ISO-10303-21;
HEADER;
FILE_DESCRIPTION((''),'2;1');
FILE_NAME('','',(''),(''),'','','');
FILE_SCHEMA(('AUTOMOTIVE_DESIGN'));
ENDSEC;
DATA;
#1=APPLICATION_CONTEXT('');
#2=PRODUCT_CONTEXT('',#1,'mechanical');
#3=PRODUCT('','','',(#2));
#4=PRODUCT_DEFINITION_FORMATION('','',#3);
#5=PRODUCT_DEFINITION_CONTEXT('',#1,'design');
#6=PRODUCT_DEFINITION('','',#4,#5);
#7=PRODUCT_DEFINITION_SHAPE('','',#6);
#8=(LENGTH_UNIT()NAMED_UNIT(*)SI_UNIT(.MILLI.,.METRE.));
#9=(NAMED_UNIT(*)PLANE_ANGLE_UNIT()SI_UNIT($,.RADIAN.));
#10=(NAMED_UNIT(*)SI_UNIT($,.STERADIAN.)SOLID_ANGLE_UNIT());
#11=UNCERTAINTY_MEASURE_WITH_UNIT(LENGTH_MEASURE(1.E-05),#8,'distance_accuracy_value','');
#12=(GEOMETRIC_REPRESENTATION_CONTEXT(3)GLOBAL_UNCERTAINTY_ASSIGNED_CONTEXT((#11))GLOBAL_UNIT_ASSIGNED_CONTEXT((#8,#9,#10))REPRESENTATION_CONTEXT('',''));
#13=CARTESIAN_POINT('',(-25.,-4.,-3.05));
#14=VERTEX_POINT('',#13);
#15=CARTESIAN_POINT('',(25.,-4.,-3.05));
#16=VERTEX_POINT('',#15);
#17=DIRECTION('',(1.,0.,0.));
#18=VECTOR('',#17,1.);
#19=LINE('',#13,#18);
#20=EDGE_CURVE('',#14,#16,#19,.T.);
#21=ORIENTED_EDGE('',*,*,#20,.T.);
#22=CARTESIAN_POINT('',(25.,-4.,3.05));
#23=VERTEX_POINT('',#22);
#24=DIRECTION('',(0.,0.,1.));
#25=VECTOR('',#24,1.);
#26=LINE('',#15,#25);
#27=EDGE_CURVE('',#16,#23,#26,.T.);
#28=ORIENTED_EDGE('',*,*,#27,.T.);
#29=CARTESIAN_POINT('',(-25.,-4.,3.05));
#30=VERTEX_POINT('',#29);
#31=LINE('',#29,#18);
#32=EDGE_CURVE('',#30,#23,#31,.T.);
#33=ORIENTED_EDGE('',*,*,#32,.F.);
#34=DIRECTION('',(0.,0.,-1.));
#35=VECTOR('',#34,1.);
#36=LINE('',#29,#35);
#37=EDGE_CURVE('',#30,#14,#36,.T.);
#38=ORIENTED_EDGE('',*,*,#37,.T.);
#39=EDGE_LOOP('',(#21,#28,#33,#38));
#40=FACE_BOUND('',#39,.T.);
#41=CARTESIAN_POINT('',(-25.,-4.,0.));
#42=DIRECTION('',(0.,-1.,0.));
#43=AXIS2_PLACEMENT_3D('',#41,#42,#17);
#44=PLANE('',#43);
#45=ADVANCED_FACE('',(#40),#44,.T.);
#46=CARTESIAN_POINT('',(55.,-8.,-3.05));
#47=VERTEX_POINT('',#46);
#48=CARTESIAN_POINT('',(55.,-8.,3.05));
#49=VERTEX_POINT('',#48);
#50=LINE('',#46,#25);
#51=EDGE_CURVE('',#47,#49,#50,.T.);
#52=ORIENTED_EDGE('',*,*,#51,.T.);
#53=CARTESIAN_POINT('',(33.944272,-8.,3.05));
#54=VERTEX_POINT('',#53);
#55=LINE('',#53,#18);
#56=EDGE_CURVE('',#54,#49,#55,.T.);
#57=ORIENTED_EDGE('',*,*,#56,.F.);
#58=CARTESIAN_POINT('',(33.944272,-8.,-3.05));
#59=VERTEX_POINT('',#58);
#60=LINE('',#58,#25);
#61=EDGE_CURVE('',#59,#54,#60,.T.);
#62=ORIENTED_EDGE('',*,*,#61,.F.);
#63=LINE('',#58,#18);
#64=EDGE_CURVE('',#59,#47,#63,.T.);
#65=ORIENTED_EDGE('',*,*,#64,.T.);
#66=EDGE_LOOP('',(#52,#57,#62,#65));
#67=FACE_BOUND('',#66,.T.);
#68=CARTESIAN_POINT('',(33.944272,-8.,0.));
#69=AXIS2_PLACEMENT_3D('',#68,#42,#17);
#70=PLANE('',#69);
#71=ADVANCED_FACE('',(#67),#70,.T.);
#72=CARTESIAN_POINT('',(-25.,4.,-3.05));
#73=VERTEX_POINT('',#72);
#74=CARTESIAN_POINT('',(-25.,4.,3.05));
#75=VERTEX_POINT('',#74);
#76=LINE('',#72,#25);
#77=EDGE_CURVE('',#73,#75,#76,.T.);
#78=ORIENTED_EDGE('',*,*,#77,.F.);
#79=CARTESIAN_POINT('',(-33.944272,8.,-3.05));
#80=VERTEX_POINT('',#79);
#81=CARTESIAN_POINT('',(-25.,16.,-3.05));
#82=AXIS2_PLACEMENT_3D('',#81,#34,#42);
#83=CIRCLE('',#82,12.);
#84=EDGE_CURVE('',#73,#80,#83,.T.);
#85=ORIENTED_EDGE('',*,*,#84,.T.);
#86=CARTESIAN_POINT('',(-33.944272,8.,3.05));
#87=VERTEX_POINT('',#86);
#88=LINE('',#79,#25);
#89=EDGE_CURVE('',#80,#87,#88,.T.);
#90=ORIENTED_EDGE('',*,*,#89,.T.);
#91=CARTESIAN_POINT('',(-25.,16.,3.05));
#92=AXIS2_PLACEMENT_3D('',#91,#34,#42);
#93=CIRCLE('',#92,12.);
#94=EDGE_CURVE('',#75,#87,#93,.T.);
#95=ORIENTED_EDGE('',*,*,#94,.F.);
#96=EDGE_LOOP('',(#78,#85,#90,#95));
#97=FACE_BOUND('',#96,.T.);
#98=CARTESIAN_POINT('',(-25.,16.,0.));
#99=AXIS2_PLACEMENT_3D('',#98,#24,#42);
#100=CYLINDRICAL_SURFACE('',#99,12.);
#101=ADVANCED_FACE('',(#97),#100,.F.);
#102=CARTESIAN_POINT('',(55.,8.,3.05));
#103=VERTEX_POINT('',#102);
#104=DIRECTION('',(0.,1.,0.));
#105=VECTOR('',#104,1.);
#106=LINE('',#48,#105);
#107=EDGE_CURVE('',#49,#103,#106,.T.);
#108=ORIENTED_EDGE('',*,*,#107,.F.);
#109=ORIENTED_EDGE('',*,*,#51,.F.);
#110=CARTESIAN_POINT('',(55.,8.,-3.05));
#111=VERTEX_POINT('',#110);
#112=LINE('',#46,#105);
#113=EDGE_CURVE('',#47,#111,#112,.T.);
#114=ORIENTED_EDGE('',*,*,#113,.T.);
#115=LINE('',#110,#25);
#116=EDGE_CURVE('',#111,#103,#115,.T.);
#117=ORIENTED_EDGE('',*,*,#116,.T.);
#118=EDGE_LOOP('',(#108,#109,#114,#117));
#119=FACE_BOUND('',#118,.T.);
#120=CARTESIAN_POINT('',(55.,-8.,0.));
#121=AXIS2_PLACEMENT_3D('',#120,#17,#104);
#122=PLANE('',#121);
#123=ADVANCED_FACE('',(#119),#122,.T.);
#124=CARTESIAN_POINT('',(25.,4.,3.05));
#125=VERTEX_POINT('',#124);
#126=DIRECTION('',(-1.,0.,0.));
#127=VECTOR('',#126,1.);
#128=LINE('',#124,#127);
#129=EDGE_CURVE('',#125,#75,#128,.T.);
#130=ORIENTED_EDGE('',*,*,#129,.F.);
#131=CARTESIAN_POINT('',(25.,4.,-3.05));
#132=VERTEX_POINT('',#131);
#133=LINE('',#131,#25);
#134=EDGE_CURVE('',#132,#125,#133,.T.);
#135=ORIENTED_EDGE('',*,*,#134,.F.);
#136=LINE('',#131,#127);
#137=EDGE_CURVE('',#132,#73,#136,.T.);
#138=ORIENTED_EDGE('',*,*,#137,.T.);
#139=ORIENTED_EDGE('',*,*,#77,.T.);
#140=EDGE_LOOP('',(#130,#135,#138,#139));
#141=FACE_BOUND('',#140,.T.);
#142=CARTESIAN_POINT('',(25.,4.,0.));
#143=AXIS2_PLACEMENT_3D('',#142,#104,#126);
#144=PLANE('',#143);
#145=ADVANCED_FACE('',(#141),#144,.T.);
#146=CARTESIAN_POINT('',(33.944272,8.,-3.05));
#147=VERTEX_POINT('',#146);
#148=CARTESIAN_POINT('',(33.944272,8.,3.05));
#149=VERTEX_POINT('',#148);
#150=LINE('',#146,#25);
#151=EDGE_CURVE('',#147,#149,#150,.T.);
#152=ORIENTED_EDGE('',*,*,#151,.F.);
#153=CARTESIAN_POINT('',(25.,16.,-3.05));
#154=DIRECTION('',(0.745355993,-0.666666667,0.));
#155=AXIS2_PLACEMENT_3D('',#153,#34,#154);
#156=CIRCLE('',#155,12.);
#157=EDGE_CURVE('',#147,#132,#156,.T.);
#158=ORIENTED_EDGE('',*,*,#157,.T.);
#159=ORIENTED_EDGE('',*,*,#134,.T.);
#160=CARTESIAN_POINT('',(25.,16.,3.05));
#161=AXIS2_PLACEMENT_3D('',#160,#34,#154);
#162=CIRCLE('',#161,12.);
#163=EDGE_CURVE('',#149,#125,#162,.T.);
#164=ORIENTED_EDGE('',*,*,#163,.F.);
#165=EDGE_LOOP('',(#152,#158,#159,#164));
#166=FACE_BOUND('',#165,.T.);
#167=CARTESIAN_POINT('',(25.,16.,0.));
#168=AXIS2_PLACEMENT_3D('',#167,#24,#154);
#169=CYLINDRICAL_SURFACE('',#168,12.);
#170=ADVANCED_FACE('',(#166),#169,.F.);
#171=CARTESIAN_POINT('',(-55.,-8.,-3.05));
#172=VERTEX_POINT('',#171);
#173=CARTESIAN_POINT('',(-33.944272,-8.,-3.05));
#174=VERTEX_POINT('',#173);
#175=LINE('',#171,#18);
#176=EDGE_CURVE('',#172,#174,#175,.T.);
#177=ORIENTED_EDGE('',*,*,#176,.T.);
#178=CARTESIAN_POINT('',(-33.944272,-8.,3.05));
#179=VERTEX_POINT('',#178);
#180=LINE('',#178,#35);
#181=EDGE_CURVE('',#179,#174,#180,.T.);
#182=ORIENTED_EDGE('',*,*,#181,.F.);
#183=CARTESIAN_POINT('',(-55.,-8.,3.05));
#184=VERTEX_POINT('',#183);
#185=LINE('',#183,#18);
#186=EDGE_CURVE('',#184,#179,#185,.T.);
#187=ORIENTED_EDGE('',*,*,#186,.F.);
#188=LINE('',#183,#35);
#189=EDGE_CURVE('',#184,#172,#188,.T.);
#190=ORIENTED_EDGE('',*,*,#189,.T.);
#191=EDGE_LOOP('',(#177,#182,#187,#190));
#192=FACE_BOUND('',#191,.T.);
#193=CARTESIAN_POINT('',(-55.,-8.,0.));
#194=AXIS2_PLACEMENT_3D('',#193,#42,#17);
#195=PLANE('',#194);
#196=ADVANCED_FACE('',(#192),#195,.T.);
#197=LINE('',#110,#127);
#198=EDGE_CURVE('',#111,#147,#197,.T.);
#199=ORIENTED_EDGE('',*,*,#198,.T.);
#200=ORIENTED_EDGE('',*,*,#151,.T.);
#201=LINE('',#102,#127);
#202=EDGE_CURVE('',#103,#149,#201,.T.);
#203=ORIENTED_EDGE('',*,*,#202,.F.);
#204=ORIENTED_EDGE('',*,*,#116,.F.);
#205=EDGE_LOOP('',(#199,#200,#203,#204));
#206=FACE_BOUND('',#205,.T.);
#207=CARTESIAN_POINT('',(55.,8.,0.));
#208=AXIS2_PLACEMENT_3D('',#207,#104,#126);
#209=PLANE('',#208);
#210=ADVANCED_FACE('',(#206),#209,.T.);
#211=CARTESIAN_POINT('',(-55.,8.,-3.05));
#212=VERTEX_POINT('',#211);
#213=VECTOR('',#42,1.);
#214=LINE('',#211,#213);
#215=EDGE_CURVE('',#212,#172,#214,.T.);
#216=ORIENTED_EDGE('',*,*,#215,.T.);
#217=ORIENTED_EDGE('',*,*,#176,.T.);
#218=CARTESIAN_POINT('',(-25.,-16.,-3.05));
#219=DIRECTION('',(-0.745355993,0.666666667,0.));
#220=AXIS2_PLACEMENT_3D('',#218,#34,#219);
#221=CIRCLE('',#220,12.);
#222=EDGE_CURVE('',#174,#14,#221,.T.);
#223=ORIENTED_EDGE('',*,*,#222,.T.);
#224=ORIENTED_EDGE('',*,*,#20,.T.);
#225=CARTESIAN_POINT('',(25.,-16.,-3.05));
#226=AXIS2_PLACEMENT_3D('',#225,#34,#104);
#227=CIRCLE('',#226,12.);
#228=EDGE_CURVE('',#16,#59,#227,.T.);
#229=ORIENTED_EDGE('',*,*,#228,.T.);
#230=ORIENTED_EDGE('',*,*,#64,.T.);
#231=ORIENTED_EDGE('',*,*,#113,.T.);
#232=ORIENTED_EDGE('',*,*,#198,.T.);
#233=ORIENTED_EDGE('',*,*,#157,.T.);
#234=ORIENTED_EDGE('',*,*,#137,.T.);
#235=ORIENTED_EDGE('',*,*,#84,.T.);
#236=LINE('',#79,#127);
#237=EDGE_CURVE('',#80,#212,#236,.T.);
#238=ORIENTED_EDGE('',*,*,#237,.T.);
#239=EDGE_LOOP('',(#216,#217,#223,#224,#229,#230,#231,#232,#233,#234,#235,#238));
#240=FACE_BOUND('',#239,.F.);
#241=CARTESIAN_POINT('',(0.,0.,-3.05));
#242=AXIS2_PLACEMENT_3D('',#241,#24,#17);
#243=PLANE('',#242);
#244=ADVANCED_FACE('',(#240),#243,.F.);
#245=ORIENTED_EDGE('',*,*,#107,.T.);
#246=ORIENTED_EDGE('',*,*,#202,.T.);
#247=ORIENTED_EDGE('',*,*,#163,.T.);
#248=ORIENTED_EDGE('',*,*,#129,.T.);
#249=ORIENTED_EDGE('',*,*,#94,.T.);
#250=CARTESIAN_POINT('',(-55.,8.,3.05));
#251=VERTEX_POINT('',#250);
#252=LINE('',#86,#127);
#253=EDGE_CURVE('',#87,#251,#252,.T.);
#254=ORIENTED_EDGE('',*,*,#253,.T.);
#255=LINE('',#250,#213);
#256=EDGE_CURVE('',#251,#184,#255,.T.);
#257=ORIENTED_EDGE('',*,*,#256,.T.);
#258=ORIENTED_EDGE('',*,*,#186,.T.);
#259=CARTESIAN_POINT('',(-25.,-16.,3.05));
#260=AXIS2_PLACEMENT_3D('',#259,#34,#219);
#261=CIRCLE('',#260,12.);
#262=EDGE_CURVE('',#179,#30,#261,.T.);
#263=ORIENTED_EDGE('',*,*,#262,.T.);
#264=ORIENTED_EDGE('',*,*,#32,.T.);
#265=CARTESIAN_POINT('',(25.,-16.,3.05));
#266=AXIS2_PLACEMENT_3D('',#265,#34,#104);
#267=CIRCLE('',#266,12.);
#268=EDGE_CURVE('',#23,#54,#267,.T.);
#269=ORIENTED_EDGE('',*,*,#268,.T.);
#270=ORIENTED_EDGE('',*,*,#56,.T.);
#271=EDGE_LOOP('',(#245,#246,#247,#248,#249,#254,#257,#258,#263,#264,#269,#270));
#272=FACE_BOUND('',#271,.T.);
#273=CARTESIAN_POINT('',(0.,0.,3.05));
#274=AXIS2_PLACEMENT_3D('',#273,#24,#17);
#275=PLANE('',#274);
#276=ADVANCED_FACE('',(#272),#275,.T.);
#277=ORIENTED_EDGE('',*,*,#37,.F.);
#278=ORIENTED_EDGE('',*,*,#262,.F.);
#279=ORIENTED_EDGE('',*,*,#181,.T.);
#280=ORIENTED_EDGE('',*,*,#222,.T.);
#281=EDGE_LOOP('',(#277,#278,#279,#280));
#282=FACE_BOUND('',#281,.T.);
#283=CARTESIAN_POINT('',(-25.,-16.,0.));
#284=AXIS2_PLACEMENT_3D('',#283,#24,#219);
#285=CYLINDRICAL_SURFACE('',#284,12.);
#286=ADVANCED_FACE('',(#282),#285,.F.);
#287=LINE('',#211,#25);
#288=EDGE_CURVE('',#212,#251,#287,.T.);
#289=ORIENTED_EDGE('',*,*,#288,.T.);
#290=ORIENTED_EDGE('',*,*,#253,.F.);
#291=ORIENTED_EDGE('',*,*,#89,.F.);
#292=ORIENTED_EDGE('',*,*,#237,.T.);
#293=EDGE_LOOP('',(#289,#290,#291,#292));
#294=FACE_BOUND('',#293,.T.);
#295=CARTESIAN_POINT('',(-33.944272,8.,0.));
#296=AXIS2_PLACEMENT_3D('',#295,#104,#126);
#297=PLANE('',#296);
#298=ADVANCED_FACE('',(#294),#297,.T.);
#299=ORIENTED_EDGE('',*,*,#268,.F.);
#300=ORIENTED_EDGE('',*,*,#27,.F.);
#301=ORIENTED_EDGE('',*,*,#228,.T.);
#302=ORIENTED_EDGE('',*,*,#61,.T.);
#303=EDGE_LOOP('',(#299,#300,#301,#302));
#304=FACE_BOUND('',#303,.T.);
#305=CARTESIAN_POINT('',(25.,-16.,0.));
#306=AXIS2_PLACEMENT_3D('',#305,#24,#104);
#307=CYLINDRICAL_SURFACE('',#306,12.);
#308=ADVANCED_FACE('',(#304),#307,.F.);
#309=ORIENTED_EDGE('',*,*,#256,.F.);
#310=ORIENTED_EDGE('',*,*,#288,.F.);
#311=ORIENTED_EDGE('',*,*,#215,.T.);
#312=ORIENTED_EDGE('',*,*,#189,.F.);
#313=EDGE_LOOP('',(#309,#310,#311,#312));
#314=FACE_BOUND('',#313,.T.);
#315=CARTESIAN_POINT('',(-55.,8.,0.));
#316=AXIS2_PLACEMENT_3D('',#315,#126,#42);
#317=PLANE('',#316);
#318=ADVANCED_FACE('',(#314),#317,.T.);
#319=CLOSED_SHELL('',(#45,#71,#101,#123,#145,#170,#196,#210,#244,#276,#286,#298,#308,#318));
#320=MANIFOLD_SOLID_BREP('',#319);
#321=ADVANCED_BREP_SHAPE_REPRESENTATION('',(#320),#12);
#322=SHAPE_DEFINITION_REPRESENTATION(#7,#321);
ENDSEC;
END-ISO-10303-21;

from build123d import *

# Parameters (mm, degrees)
F1_DEPTH = 3.05


with BuildPart() as f1:
    # F0 (on Top) → F1 (new body, symmetric)
    with BuildSketch(Plane.XY):
        with BuildLine():
            Line((-25, -4), (25, -4))
            ThreePointArc((25, -4), (29.8989794856, -5.0455488499), (33.94427191, -8))
            Line((33.94427191, -8), (55, -8))
            Line((55, -8), (55, 8))
            Line((55, 8), (33.94427191, 8))
            ThreePointArc((33.94427191, 8), (29.8989794856, 5.0455488499), (25, 4))
            Line((25, 4), (-25, 4))
            ThreePointArc((-25, 4), (-29.8989794856, 5.0455488499), (-33.94427191, 8))
            Line((-33.94427191, 8), (-55, 8))
            Line((-55, 8), (-55, -8))
            Line((-55, -8), (-33.94427191, -8))
            ThreePointArc((-33.94427191, -8), (-29.8989794856, -5.0455488499), (-25, -4))
        make_face()
    extrude(amount=F1_DEPTH, both=True)


solid = f1.part
